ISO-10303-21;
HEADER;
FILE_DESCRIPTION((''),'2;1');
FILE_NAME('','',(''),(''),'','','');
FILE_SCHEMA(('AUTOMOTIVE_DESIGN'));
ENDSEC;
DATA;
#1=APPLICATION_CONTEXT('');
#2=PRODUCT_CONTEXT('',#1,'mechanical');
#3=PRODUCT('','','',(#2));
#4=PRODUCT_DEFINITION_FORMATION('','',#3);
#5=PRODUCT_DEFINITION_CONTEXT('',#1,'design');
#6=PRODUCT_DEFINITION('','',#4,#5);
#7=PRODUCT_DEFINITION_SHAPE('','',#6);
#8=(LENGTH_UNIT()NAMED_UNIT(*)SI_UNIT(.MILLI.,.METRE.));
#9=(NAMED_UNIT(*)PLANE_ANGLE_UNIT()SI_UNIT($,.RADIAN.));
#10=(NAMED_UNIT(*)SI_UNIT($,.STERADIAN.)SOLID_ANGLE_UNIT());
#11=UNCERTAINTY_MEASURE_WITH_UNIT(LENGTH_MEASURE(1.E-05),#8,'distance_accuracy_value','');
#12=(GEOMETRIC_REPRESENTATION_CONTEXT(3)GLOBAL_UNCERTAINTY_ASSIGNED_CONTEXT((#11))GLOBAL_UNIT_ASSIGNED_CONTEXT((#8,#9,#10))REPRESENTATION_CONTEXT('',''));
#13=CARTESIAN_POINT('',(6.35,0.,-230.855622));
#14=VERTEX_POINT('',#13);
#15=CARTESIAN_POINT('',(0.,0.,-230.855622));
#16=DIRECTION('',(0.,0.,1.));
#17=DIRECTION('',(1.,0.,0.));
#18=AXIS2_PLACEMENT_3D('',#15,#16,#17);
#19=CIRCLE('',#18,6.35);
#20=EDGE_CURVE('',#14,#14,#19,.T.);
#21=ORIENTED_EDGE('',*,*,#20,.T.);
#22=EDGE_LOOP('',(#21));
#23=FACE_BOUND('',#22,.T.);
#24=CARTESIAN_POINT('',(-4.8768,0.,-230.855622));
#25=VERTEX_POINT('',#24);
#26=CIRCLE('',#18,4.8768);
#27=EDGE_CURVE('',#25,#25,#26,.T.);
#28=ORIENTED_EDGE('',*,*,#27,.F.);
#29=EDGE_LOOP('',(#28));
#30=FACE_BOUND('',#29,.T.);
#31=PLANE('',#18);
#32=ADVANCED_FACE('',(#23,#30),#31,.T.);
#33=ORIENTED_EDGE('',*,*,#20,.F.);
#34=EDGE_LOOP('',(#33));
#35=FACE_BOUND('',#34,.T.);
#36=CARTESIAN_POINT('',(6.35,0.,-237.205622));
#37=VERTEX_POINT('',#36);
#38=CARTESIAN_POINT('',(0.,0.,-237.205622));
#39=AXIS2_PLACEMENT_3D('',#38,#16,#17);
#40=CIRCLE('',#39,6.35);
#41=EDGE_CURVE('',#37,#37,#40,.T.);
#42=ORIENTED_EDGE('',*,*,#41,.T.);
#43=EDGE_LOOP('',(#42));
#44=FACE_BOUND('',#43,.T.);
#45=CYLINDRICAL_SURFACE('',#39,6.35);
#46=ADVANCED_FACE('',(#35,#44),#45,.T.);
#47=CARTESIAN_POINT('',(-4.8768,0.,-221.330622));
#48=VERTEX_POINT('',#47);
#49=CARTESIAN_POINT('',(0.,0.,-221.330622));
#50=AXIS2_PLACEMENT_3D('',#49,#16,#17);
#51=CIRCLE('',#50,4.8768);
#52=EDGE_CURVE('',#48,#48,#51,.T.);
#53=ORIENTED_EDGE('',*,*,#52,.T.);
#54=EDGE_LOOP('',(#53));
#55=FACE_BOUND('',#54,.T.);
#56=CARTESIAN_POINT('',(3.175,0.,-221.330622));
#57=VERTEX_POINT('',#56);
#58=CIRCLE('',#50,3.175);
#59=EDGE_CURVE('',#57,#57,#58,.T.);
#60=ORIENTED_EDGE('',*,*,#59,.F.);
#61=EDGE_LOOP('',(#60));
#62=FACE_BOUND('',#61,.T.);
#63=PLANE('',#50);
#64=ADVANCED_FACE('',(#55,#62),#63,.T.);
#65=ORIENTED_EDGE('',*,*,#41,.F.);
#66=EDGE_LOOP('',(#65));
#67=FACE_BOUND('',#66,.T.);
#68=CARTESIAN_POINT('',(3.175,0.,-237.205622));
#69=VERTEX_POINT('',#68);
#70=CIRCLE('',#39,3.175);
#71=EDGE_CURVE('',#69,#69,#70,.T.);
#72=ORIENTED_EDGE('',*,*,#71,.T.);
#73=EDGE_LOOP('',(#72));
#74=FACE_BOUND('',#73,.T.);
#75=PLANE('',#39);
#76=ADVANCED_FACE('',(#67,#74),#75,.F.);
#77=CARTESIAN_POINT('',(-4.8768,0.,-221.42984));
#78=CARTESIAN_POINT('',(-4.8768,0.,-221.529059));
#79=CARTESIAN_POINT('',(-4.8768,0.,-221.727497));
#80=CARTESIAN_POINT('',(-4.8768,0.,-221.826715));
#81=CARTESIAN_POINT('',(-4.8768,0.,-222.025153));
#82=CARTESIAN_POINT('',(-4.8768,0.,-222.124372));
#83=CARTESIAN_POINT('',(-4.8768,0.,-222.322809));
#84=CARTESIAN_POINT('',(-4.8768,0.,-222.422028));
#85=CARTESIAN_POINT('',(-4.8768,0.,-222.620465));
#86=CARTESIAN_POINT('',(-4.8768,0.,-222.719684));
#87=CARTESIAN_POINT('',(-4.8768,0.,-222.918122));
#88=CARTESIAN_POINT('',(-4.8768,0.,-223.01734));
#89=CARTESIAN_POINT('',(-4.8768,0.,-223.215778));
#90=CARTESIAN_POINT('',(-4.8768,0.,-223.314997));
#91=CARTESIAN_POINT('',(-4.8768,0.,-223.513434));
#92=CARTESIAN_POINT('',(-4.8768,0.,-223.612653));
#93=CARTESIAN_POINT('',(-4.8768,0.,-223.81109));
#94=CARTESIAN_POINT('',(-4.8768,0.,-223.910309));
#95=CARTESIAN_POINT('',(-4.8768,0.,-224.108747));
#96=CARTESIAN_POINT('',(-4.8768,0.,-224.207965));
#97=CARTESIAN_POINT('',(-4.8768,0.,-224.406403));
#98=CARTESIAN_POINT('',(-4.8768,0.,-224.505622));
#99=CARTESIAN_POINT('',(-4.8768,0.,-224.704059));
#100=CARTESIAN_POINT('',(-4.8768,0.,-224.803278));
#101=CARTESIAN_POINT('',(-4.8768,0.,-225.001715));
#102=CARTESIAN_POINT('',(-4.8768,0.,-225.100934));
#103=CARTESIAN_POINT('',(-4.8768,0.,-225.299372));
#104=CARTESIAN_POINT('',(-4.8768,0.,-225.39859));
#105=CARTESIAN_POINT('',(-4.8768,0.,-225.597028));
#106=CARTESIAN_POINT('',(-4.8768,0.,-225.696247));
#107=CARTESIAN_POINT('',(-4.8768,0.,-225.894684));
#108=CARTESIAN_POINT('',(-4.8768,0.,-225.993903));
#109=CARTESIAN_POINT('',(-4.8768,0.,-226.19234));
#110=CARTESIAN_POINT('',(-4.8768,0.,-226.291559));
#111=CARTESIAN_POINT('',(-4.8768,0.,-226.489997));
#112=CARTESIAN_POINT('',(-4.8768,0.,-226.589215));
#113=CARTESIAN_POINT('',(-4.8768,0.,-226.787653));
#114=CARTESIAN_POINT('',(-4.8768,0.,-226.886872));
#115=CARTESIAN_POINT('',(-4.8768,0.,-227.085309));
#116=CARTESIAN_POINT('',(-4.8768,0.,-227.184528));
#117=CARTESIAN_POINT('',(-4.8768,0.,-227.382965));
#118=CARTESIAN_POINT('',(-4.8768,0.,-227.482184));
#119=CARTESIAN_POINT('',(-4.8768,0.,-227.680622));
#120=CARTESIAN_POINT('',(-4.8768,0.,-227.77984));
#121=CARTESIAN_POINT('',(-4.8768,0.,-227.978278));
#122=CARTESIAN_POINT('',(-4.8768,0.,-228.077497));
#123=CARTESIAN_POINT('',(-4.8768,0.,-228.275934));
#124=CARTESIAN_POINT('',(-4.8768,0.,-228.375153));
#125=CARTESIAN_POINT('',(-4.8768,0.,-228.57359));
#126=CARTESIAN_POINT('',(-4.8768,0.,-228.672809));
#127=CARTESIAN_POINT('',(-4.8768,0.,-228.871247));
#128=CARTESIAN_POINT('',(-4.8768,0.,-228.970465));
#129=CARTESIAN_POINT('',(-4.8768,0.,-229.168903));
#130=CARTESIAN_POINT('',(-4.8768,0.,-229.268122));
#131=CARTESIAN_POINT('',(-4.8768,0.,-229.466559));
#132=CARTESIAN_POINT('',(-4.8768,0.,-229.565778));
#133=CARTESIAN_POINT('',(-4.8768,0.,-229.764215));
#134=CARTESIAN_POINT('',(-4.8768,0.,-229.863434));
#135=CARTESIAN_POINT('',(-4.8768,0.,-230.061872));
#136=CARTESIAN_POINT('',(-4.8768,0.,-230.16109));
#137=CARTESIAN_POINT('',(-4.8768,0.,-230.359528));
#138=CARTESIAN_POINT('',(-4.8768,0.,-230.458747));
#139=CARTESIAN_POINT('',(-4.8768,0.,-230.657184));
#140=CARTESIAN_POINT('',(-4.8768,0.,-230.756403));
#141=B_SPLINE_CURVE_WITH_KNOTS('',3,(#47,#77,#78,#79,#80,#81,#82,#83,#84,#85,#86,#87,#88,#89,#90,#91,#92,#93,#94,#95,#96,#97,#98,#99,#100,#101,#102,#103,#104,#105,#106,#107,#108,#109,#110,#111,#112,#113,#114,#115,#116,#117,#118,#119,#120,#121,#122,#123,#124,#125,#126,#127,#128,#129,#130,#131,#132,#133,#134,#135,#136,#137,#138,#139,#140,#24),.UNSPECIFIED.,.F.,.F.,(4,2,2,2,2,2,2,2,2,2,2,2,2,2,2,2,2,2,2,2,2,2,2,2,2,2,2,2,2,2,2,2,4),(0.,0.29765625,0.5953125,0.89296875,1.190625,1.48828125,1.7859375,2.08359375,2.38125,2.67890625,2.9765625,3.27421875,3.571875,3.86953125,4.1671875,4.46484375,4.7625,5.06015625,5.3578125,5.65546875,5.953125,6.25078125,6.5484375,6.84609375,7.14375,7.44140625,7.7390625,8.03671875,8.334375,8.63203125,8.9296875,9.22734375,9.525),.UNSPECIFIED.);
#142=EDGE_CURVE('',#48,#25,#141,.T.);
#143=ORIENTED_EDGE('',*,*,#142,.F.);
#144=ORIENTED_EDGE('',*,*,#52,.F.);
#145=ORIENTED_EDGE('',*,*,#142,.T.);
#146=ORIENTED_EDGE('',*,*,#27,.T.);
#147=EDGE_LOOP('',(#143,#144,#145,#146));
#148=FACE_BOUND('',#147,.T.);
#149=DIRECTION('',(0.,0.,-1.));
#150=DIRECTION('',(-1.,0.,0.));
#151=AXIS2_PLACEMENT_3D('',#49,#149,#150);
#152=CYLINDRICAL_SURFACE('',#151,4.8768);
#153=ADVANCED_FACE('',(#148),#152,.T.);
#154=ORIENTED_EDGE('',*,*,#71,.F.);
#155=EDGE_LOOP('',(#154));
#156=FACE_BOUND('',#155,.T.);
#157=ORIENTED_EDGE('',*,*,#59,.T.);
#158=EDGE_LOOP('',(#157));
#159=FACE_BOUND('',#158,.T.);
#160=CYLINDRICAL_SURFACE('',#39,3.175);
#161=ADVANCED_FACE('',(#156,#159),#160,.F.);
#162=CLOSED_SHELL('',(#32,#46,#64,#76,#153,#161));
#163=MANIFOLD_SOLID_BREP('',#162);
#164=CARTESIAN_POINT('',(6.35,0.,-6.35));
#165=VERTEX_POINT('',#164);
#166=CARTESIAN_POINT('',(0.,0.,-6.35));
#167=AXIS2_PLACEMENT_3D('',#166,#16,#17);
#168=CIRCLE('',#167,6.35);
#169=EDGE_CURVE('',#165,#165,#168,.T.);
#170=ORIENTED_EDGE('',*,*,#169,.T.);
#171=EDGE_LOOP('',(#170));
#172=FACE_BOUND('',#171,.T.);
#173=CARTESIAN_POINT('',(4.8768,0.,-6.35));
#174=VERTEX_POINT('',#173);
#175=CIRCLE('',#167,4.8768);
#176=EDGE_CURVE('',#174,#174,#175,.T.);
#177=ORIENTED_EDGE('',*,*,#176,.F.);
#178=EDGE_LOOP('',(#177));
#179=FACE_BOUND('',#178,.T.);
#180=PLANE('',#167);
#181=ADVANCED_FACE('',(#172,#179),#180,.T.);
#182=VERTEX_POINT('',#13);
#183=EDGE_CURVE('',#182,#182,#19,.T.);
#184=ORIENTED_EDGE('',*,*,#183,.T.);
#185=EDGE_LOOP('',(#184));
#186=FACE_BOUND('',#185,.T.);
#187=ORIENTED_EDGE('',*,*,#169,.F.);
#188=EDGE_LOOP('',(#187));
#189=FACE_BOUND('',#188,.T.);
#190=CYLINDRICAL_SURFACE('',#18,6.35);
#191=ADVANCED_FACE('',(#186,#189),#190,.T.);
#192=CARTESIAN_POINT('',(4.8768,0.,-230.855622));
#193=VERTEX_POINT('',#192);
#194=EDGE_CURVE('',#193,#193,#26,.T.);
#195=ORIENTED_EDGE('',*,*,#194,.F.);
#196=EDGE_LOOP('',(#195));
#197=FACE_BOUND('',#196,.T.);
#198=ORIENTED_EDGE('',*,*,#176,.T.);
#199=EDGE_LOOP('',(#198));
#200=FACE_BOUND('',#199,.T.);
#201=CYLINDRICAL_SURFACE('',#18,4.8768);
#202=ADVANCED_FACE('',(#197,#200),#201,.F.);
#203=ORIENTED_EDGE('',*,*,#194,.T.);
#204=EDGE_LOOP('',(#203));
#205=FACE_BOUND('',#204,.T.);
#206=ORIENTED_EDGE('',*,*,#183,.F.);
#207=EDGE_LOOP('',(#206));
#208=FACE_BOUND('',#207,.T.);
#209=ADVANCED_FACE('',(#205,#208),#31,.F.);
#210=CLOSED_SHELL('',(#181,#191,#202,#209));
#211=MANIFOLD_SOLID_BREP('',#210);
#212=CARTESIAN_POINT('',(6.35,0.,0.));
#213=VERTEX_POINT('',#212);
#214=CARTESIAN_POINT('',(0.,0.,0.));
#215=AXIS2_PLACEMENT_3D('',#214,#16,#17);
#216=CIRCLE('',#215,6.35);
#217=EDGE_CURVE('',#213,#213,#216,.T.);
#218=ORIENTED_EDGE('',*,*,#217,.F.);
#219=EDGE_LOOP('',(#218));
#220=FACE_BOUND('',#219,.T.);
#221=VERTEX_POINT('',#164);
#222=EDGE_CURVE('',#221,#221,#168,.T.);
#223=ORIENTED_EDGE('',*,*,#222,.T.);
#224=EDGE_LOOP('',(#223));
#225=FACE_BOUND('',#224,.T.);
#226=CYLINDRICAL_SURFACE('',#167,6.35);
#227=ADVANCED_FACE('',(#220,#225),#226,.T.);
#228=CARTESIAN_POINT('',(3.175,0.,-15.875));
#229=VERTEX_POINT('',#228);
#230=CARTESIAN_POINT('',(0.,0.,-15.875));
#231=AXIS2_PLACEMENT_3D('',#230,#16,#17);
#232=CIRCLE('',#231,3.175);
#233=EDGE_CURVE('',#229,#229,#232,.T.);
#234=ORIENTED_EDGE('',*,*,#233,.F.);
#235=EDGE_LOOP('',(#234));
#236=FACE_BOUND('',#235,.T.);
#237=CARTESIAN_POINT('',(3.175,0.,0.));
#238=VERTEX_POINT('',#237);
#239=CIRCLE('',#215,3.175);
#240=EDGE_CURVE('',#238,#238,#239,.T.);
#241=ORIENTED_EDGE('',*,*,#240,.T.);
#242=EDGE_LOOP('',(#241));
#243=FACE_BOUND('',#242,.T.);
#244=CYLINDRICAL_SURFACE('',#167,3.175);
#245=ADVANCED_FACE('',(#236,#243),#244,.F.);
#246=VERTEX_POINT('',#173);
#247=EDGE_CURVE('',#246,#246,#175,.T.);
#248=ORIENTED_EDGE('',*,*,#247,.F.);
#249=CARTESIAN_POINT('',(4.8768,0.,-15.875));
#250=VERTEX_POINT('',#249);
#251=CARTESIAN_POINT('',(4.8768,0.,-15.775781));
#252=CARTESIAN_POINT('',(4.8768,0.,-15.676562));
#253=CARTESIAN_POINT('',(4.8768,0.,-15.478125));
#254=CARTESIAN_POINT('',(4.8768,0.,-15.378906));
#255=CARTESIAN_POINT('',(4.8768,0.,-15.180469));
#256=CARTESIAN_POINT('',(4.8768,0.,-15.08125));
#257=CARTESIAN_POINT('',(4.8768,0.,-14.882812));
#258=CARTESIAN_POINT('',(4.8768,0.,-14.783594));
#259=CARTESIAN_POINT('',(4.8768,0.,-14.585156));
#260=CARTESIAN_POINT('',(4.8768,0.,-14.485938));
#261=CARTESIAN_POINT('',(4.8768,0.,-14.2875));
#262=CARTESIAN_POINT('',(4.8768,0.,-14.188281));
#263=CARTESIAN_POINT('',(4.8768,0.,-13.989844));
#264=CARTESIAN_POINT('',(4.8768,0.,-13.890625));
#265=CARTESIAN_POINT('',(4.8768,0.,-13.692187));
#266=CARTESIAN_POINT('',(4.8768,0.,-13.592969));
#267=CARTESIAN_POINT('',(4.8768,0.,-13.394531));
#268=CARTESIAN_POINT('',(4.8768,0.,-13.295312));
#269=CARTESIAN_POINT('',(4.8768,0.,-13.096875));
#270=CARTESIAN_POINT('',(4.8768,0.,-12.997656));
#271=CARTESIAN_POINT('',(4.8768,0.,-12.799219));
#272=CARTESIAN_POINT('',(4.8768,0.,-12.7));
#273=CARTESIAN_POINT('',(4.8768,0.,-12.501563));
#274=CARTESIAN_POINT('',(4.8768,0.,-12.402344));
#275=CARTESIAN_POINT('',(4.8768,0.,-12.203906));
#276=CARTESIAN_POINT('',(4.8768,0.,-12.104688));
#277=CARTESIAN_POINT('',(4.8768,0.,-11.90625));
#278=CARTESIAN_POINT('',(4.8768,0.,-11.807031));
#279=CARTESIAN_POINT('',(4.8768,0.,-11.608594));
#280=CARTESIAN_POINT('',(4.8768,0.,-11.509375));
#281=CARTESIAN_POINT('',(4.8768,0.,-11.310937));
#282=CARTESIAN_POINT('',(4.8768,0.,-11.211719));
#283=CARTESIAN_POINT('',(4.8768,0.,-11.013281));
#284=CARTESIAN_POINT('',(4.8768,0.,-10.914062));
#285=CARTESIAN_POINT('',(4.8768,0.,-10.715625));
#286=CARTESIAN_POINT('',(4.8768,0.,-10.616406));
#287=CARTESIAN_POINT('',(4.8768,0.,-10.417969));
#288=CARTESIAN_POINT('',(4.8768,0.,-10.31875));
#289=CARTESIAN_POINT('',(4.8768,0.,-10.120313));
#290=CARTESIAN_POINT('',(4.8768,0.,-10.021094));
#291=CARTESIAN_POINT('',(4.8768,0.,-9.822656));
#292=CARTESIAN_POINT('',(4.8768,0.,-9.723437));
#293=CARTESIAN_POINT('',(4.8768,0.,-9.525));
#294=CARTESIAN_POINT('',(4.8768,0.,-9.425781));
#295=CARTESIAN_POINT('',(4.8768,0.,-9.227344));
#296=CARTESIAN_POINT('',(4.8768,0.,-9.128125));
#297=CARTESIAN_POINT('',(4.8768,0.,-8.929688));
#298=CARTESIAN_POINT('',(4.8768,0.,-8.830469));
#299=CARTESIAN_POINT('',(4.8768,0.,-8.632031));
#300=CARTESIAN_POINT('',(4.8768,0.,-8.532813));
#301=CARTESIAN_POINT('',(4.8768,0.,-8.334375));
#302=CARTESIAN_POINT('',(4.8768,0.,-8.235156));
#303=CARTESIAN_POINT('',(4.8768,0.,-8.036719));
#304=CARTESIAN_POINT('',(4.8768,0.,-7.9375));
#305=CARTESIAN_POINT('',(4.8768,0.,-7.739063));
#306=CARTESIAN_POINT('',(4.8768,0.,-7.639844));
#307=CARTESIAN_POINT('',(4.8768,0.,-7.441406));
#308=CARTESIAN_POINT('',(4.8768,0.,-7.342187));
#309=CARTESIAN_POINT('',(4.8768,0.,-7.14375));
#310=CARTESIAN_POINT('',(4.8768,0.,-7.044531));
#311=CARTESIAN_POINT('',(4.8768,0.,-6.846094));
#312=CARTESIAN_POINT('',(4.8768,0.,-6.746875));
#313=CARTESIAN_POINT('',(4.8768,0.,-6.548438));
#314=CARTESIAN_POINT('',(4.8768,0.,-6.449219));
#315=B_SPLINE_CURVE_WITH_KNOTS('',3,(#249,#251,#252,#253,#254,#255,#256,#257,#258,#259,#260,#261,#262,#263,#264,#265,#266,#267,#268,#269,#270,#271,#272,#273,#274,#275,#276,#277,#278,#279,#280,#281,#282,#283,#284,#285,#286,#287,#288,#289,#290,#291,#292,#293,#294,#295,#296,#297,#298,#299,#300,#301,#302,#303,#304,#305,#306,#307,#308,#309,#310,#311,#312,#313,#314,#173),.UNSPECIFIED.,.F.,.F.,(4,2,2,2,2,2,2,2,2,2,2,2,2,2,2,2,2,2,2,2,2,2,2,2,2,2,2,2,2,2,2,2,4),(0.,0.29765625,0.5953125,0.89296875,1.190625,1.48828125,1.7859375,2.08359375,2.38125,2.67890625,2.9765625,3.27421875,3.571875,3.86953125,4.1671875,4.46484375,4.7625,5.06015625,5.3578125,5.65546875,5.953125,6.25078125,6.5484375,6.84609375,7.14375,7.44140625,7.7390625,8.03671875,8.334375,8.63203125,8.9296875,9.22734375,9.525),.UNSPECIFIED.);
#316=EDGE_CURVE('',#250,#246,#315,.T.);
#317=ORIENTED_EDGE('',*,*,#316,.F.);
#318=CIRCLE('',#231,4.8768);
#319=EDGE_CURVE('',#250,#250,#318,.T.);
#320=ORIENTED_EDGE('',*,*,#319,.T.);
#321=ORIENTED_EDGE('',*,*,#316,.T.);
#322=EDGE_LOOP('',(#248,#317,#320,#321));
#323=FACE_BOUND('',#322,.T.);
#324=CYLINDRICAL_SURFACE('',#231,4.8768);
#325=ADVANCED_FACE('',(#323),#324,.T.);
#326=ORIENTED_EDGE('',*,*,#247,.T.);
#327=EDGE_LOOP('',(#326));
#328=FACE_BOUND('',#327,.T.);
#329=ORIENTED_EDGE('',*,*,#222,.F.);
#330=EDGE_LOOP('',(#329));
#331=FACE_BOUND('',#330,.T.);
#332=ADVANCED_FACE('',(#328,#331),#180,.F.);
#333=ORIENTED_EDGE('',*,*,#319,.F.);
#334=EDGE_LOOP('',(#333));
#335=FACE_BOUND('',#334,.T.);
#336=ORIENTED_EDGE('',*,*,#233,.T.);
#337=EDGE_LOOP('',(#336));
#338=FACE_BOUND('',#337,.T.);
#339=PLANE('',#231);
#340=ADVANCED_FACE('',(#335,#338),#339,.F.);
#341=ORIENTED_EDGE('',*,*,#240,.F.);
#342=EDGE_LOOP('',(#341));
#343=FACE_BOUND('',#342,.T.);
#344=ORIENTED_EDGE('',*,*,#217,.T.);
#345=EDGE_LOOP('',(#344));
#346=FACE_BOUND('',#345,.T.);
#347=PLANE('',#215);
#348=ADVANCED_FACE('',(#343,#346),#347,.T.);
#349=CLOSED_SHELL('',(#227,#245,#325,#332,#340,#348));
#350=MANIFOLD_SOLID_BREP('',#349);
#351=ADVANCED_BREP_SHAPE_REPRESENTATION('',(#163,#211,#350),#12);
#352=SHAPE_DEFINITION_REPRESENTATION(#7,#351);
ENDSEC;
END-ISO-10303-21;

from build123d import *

# Parameters (mm, degrees)
SKETCH1_R                 = 6.35
SKETCH1_R_2               = 4.8768
SKETCH1_R_3               = 3.175
THREADED_INSERT_1_1_DEPTH = 6.35
THREADED_START            = -6.35
SKETCH1_3_R               = 4.8768
SKETCH1_3_R_2             = 3.175
THREADED_INSERT_1_2_DEPTH = 9.525
TUBE_START                = -6.35
SKETCH1_4_R               = 6.35
SKETCH1_4_R_2             = 4.8768
TUBE_EXTRUDE_DEPTH        = 224.505622
THREADED_START_2          = -230.855622
SKETCH1_6_R               = 4.8768
SKETCH1_6_R_2             = 3.175
THREADED_INSERT_2_1_DEPTH = 9.525
SKETCH1_9_R               = 6.35
SKETCH1_9_R_2             = 4.8768
SKETCH1_9_R_3             = 3.175
THREADED_INSERT_2_2_DEPTH = 6.35


with BuildPart() as part:
    # Sketch1 → Threaded insert 1-1 (new body)
    # profile 1 of 2: a face of its own
    with BuildSketch(Plane.XY):
        Circle(SKETCH1_R)
        Circle(SKETCH1_R_2, mode=Mode.SUBTRACT)
    # profile 2 of 2: a face of its own
    with BuildSketch(Plane.XY):
        Circle(SKETCH1_R_2)
        Circle(SKETCH1_R_3, mode=Mode.SUBTRACT)
    extrude(amount=-THREADED_INSERT_1_1_DEPTH)

    # Sketch1<3> → Threaded insert 1-2 (add)
    with BuildSketch(Plane.XY.offset(THREADED_START)):
        Circle(SKETCH1_3_R)
        Circle(SKETCH1_3_R_2, mode=Mode.SUBTRACT)
    extrude(amount=-THREADED_INSERT_1_2_DEPTH)


with BuildPart() as body_2:
    # Sketch1<4> → Tube extrude (new body)
    with BuildSketch(Plane.XY.offset(TUBE_START)):
        Circle(SKETCH1_4_R)
        Circle(SKETCH1_4_R_2, mode=Mode.SUBTRACT)
    extrude(amount=-TUBE_EXTRUDE_DEPTH)


with BuildPart() as body_3:
    # Sketch1<6> → Threaded insert 2-1 (new body)
    with BuildSketch(Plane.XY.offset(THREADED_START_2)):
        Circle(SKETCH1_6_R)
        Circle(SKETCH1_6_R_2, mode=Mode.SUBTRACT)
    extrude(amount=THREADED_INSERT_2_1_DEPTH)


with BuildPart() as body_4:
    # Sketch1<9> → Threaded insert 2-2 (new body)
    # profile 1 of 2: a face of its own
    with BuildSketch(Plane.XY.offset(THREADED_START_2)):
        Circle(SKETCH1_9_R)
        Circle(SKETCH1_9_R_2, mode=Mode.SUBTRACT)
    # profile 2 of 2: a face of its own
    with BuildSketch(Plane.XY.offset(THREADED_START_2)):
        Circle(SKETCH1_9_R_2)
        Circle(SKETCH1_9_R_3, mode=Mode.SUBTRACT)
    extrude(amount=-THREADED_INSERT_2_2_DEPTH)

    # Combine1: union body 3
    add(body_3.part)


solid = Compound([part.part, body_2.part, body_4.part])
